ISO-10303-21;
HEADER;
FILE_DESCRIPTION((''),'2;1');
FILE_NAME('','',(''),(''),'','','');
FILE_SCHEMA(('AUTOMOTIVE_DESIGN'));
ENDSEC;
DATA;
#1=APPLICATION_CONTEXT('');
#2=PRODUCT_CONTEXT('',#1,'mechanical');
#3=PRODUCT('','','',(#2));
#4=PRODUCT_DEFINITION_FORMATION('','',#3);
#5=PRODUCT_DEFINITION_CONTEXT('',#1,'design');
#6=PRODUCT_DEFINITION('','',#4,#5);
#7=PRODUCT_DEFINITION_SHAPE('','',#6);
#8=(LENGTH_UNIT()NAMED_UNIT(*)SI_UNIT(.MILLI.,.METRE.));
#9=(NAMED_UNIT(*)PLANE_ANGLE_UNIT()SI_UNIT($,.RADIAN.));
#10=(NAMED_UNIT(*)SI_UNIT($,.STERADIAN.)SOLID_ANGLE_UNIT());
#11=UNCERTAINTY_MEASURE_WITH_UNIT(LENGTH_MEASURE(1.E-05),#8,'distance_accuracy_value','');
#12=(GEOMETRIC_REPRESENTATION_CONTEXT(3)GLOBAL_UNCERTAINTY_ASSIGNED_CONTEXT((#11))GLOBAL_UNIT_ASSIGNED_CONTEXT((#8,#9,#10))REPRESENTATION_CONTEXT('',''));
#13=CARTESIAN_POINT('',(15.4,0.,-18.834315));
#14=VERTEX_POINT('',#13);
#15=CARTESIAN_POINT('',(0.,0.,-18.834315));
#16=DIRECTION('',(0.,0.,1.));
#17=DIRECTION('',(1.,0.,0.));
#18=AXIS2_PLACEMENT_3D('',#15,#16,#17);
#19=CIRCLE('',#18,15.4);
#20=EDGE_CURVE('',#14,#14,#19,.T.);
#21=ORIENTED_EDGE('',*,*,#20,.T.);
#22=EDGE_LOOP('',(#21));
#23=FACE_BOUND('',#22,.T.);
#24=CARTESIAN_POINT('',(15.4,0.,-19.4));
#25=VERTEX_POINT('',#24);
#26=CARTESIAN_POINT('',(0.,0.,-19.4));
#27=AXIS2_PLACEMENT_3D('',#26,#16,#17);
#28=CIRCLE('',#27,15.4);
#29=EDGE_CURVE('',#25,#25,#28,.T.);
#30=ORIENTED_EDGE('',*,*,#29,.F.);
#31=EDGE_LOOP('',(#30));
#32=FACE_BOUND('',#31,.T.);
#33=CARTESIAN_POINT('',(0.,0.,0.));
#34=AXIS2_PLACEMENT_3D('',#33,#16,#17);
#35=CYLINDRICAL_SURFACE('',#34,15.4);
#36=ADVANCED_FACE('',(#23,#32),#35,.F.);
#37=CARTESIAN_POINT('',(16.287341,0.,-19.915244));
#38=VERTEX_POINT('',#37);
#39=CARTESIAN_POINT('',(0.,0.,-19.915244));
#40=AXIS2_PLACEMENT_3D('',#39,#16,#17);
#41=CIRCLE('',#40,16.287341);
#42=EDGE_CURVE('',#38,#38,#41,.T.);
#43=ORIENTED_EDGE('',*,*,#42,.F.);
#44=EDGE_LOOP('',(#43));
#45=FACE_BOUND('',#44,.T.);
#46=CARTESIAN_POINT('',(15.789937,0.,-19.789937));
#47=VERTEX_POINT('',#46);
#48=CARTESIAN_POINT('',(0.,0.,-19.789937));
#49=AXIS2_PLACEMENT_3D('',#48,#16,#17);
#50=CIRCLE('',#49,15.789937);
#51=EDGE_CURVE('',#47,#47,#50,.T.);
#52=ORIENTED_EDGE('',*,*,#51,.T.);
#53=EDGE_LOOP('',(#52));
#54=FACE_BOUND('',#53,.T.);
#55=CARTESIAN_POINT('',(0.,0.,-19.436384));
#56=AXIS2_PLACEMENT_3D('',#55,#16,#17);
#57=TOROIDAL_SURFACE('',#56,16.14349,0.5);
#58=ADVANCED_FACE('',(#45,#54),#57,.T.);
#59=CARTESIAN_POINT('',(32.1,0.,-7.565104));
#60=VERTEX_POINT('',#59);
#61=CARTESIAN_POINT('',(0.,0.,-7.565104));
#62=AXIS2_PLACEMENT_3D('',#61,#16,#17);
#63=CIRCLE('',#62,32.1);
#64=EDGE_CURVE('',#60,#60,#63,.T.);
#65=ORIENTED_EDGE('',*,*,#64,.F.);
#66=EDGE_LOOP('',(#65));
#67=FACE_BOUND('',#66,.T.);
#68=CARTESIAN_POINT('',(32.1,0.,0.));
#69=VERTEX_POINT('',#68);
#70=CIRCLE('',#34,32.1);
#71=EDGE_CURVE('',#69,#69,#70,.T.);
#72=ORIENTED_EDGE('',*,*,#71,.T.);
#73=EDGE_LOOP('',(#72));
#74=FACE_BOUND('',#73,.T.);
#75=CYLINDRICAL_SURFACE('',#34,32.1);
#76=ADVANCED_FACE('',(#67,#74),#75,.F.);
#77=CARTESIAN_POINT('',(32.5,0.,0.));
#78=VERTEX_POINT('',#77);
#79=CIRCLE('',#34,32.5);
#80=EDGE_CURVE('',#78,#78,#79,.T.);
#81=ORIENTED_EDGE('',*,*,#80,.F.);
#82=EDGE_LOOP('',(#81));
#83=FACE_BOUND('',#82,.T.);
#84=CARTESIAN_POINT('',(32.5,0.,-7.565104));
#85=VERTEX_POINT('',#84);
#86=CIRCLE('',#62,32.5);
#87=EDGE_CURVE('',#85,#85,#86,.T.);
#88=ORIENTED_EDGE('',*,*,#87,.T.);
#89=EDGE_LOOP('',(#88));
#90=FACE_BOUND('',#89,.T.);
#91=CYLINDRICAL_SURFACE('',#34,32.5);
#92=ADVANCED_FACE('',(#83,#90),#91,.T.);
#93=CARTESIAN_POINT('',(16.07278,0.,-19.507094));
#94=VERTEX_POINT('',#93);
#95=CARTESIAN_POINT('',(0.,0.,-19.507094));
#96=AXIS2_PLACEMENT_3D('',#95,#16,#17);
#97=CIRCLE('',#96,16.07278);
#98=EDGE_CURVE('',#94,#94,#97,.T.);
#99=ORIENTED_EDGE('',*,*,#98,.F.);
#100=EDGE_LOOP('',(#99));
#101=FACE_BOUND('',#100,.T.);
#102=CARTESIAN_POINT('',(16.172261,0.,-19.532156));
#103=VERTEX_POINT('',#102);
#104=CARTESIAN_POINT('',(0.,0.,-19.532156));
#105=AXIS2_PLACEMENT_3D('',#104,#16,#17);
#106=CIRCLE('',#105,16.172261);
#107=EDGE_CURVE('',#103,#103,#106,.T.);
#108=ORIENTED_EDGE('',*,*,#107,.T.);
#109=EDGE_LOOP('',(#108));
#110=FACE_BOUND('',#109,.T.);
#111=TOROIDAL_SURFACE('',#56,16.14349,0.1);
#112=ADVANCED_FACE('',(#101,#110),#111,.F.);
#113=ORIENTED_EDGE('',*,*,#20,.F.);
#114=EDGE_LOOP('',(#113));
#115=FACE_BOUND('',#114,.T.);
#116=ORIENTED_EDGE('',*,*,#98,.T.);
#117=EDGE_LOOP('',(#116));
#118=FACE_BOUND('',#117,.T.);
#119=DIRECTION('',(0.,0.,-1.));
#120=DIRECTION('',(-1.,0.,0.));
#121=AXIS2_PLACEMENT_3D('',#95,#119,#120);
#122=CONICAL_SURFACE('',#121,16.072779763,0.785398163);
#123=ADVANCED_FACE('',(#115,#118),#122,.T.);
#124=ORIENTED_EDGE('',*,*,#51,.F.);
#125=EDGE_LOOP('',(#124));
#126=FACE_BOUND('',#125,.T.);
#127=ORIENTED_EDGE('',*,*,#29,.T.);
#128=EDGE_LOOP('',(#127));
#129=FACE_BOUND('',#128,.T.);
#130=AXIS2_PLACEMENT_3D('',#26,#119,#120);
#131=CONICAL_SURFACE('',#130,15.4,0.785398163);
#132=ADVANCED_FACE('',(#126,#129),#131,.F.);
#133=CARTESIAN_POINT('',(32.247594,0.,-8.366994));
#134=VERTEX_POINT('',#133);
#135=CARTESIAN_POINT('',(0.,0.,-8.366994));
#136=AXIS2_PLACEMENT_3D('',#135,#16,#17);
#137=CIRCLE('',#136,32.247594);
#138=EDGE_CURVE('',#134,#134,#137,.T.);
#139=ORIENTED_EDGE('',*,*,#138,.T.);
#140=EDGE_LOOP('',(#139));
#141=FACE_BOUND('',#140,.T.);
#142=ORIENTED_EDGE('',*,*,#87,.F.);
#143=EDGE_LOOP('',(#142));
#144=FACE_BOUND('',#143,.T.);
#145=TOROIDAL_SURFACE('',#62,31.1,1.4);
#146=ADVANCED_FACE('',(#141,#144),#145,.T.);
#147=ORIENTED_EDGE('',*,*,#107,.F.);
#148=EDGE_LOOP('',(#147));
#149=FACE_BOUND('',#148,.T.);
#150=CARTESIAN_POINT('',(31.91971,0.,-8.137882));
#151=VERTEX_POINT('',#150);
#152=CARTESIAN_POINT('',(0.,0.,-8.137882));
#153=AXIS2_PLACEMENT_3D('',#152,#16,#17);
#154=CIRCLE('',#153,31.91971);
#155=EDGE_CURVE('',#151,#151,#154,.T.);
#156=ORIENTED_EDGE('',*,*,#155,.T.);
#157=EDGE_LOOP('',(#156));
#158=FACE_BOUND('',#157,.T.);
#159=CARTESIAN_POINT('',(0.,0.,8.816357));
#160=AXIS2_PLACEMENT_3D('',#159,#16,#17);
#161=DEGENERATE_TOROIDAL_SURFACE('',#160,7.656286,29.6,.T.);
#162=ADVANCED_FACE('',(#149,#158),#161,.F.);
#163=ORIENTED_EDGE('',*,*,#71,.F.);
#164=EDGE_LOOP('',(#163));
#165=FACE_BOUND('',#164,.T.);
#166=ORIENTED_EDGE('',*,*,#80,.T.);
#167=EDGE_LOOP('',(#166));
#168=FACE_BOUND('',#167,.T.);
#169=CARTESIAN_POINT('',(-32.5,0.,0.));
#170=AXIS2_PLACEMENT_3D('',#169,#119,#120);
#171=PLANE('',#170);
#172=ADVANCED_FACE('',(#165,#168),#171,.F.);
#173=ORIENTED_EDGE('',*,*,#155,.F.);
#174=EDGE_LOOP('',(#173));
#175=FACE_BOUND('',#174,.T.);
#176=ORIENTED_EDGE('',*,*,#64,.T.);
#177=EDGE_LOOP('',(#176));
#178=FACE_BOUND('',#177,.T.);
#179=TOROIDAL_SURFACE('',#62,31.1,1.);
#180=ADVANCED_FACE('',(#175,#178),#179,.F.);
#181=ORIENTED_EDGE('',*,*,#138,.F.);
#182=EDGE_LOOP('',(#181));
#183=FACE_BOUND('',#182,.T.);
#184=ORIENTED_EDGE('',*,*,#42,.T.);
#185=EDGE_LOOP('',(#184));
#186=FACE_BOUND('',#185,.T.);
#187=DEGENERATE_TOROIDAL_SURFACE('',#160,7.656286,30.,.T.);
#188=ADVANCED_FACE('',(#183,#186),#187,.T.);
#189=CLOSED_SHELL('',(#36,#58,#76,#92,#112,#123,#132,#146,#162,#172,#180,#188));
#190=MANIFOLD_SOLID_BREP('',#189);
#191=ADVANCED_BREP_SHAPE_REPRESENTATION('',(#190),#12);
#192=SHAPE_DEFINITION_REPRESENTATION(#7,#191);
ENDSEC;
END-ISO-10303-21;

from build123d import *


with BuildPart() as part:
    # Skica1 → Rotovat1 (revolve)
    with BuildSketch(Plane(origin=(0, 0, 0), x_dir=(1, 0, 0), z_dir=(0, 1, 0)), mode=Mode.PRIVATE) as rotovat1_sk:
        with BuildLine():
            Line((-32.5, 0), (-32.5, 7.565103942))
            ThreePointArc((-32.5, 7.565103942), (-32.435408582, 7.985441804), (-32.247594402, 8.36699364))
            ThreePointArc((-32.247594402, 8.36699364), (-25.24241357, 15.48854184), (-16.287341368, 19.915243672))
            ThreePointArc((-16.287341368, 19.915243672), (-16.02134619, 19.921234959), (-15.789937051, 19.789937051))
            Line((-15.789937051, 19.789937051), (-15.4, 19.4))
            Line((-15.4, 19.4), (-15.4, 18.834314575))
            Line((-15.4, 18.834314575), (-16.072779763, 19.507094338))
            ThreePointArc((-16.072779763, 19.507094338), (-16.119061591, 19.53335392), (-16.172260627, 19.532155663))
            ThreePointArc((-16.172260627, 19.532155663), (-25.007931866, 15.164476522), (-31.919710287, 8.137882298))
            ThreePointArc((-31.919710287, 8.137882298), (-32.053863273, 7.865345272), (-32.1, 7.565103942))
            Line((-32.1, 7.565103942), (-32.1, 0))
            Line((-32.1, 0), (-32.5, 0))
        make_face()
    revolve(rotovat1_sk.sketch.rotate(Axis((0, 0, 0), (0, 0, -1)), 180), axis=Axis((0, 0, 0), (0, 0, -1)))  # turned: the seam where the file's is


solid = part.part
